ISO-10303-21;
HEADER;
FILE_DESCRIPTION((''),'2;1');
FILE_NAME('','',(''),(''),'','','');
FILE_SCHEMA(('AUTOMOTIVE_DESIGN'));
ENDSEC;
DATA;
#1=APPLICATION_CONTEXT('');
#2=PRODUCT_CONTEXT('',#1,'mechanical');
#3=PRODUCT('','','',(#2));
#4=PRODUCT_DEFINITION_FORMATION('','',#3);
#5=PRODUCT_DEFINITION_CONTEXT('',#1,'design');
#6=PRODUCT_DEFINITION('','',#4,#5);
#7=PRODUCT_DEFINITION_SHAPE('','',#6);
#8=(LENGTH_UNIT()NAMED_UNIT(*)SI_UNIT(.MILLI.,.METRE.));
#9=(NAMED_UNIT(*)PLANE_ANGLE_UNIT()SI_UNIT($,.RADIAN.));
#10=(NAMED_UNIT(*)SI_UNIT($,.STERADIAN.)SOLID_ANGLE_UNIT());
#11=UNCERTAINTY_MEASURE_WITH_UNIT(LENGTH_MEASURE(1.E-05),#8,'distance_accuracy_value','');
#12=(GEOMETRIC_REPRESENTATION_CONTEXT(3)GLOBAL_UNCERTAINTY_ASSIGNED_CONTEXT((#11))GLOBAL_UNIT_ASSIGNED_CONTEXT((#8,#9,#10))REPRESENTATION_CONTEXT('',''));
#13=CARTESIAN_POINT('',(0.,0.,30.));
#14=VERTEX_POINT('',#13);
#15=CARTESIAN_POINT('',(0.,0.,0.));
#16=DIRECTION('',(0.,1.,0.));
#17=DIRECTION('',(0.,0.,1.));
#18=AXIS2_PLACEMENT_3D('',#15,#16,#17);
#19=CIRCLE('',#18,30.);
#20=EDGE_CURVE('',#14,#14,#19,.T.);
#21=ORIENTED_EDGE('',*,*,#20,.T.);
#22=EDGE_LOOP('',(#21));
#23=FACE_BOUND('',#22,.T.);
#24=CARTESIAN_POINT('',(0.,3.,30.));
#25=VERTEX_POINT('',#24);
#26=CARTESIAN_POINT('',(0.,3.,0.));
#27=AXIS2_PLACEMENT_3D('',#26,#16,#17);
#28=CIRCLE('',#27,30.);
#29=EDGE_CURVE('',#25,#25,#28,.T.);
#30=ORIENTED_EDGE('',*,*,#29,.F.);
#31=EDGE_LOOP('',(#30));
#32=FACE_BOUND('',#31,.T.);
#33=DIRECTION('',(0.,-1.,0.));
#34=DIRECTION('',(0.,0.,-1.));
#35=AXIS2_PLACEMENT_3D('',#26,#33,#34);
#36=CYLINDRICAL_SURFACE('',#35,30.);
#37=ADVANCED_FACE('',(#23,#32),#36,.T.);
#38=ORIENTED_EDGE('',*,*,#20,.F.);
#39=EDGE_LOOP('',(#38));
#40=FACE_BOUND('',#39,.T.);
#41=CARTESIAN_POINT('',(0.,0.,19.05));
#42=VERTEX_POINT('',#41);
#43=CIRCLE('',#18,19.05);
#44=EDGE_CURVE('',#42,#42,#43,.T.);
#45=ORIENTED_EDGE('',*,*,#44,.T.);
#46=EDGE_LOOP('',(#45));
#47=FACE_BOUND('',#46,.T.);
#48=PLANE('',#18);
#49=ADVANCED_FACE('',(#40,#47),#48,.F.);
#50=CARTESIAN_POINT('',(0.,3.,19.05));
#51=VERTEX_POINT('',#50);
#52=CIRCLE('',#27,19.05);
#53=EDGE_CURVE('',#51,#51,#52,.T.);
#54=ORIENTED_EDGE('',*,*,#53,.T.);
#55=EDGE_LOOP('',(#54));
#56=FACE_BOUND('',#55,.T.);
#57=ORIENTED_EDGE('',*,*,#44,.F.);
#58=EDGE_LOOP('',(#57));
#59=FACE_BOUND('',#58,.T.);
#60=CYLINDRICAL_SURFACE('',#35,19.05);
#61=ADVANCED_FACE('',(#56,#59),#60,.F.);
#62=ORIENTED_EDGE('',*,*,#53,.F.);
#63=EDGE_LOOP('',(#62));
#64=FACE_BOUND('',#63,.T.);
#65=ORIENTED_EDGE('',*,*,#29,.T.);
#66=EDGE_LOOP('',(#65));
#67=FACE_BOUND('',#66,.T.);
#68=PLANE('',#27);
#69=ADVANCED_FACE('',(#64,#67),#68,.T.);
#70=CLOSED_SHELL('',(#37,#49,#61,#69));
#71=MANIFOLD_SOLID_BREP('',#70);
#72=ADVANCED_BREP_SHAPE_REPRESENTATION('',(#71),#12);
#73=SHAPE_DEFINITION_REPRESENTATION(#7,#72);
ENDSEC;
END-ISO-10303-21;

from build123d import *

# Parameters (mm, degrees)
CROQUIS1_R              = 30
CROQUIS1_R_2            = 19.05
SALIENTE_EXTRUIR1_DEPTH = 3


with BuildPart() as part:
    # Croquis1 → Saliente-Extruir1 (new body)
    with BuildSketch(Plane(origin=(0, 0, 0), x_dir=(1, 0, 0), z_dir=(0, 1, 0))):
        Circle(CROQUIS1_R)
        Circle(CROQUIS1_R_2, mode=Mode.SUBTRACT)
    extrude(amount=SALIENTE_EXTRUIR1_DEPTH)


solid = part.part
